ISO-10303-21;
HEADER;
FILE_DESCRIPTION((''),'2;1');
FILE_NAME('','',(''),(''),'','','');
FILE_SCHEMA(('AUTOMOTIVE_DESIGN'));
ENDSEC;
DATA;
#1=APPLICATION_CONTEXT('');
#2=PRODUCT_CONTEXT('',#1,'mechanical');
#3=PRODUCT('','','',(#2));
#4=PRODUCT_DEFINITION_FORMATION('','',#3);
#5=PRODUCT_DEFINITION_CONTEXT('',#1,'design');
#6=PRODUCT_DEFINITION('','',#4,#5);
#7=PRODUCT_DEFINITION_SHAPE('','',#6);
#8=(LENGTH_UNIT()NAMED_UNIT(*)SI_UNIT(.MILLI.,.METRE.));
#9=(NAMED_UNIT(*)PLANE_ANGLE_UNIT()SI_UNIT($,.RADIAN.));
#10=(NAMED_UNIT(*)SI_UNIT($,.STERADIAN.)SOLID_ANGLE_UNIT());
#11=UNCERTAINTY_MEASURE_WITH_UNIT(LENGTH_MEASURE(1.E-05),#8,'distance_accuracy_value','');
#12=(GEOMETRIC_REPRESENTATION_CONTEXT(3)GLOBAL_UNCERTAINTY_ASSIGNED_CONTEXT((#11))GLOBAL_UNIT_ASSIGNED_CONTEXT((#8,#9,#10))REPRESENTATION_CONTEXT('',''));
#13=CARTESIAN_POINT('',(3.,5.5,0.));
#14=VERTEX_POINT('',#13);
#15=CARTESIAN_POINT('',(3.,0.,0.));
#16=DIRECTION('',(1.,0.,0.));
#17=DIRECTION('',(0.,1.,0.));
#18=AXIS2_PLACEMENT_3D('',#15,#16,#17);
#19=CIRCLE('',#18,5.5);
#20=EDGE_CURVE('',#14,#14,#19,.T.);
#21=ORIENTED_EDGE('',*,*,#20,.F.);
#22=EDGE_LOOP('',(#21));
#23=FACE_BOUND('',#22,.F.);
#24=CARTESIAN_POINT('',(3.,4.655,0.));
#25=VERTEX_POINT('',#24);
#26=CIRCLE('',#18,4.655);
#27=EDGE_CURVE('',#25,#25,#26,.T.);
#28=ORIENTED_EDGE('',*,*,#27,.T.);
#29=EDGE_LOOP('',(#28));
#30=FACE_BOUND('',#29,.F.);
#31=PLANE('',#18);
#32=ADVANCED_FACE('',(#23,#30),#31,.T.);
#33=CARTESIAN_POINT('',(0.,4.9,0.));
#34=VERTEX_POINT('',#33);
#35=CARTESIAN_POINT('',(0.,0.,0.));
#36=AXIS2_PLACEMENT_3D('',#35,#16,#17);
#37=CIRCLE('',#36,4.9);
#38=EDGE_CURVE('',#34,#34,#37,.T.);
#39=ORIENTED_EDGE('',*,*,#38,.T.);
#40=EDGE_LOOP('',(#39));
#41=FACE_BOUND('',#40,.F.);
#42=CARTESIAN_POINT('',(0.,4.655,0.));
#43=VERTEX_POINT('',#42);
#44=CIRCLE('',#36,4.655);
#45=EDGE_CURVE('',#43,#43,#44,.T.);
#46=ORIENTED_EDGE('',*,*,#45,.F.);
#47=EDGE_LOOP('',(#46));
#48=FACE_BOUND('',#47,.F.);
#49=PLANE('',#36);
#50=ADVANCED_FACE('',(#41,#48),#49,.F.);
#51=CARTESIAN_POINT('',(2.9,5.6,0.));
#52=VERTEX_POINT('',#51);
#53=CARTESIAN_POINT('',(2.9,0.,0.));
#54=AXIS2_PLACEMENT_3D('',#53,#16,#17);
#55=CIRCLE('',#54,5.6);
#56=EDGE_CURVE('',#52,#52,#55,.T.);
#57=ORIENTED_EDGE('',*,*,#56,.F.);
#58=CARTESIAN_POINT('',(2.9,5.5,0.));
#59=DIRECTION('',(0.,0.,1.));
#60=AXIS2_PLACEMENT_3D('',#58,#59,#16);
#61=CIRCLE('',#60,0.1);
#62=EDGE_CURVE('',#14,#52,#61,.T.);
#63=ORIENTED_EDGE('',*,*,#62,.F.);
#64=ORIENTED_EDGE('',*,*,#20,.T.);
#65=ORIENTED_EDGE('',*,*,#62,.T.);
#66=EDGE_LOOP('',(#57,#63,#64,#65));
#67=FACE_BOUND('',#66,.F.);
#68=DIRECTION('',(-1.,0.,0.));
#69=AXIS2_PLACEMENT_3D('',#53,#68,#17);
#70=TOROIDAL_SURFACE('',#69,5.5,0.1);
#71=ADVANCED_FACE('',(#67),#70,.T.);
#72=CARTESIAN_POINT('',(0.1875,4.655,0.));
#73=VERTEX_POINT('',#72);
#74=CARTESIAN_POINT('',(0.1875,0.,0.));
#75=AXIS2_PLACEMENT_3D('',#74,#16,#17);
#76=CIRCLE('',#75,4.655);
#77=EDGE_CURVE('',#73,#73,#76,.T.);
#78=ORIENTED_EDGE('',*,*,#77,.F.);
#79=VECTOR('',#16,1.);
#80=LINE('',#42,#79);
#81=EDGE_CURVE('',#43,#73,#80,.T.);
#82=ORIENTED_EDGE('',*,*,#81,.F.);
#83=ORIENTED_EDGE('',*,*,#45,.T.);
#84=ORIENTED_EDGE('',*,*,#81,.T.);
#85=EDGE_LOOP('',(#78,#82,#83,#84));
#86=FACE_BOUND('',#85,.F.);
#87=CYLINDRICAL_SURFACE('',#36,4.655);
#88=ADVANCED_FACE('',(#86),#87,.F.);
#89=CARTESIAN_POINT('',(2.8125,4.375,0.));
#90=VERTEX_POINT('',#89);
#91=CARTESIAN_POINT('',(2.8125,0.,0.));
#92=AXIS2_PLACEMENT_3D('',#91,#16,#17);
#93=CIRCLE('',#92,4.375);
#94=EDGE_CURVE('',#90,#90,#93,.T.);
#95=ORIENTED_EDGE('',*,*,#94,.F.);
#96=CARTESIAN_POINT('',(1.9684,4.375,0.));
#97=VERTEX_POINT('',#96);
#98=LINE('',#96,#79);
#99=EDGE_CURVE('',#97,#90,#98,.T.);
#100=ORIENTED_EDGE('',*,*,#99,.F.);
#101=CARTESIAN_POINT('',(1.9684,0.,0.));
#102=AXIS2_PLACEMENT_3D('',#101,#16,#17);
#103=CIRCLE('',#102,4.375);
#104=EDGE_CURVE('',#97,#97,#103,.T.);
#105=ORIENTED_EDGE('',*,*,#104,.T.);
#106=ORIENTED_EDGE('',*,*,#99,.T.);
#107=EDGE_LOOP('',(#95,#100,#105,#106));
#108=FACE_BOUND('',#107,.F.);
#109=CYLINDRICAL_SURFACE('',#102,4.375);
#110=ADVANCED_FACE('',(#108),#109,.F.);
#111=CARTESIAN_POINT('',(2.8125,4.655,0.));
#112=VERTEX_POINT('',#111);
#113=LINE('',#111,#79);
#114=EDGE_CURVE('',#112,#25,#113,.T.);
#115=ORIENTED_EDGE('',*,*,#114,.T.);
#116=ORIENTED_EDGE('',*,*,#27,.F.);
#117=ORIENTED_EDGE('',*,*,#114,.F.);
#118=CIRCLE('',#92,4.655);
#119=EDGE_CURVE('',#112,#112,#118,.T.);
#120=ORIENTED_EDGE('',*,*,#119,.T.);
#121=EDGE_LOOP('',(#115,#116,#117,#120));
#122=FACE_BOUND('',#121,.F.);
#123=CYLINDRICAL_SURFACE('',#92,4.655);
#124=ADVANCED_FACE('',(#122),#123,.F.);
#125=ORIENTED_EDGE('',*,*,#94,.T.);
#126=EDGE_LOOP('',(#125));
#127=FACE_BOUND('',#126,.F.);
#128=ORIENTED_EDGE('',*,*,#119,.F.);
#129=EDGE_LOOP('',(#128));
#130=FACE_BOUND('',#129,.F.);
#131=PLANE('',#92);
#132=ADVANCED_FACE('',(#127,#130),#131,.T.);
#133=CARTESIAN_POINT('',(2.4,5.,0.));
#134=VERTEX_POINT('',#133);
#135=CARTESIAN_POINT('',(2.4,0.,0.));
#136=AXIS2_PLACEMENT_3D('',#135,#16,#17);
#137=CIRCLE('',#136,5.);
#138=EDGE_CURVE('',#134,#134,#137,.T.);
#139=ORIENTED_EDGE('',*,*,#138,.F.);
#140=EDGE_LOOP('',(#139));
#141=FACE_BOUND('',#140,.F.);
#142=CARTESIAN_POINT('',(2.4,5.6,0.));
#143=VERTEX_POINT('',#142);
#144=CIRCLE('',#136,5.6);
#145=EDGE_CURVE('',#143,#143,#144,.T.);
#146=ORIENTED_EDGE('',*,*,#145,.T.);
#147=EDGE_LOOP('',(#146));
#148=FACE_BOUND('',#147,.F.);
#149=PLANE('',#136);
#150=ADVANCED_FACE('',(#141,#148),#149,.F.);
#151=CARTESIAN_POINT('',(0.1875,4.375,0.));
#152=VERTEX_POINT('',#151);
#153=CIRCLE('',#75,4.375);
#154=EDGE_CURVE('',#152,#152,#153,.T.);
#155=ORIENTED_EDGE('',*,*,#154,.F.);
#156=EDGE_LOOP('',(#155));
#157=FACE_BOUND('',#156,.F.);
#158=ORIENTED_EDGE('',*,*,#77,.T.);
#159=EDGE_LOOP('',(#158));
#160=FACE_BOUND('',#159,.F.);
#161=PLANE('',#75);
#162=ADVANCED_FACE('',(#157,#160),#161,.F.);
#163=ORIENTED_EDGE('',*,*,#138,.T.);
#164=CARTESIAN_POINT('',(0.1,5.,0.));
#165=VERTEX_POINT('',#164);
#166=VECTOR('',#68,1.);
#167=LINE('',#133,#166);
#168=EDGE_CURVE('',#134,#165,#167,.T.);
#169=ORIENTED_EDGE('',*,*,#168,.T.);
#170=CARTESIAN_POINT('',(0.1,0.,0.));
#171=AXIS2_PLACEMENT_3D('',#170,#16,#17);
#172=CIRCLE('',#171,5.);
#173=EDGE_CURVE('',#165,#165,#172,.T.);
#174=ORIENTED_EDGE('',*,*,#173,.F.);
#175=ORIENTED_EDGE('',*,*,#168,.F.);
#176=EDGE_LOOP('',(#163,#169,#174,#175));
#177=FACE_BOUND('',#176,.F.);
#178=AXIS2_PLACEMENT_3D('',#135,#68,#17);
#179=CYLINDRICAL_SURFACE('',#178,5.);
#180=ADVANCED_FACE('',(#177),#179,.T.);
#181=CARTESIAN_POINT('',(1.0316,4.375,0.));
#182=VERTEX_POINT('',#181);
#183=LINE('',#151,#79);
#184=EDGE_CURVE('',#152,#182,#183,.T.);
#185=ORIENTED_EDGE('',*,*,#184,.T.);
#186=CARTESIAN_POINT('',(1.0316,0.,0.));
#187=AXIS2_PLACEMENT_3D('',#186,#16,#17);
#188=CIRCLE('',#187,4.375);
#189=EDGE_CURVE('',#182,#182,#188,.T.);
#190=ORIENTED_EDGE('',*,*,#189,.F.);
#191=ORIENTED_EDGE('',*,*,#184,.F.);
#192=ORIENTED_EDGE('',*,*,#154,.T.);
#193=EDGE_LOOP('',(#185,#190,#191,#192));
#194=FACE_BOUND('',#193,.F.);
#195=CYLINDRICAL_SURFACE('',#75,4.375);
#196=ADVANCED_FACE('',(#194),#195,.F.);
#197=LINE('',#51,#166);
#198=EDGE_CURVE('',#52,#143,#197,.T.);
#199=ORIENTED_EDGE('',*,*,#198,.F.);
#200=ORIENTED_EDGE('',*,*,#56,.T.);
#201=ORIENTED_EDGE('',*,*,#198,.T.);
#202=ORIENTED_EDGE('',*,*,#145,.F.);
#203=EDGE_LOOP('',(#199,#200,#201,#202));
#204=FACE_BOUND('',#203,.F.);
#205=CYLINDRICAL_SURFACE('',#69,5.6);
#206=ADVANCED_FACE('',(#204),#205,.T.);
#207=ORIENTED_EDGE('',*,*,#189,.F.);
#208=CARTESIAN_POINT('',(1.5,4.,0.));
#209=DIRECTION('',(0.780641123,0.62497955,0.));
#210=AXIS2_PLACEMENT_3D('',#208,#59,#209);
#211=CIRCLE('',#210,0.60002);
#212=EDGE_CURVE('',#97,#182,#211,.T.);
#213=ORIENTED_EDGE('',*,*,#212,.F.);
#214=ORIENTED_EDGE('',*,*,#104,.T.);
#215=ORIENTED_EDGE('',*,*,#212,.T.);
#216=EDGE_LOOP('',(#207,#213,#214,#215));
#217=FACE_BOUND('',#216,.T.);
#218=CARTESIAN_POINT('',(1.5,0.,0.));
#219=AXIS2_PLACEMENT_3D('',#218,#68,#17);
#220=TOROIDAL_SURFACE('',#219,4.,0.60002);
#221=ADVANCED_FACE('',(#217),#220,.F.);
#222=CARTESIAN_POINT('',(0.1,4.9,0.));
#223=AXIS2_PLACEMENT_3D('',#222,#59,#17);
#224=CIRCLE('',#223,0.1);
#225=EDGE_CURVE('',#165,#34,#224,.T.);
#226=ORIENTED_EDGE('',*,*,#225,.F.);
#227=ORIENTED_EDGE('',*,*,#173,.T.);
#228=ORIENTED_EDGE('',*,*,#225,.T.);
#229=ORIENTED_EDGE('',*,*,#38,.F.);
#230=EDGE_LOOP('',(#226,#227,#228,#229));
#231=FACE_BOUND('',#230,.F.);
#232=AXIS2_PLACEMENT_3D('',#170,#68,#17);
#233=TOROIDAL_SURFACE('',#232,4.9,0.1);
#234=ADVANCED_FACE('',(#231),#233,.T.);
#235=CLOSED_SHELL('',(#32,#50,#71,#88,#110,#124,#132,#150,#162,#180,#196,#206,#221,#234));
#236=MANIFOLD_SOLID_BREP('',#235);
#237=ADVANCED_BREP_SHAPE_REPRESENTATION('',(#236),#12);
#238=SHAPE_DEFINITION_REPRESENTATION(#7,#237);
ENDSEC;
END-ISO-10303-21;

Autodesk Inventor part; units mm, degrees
sketch "Sketch_1" plane through (0, 0, 0) normal (0, 0, 1) x (1, 0, 0)
  line L0 (3, 0) -> (0, 0)
  line L1 (0, 4.655) -> (0.1875, 4.655)
  line L2 (0.1875, 4.655) -> (0.1875, 4.375)
  line L3 (0.1875, 4.375) -> (1.0316, 4.375)
  arc A0 (1.9684, 4.375) -> (1.0316, 4.375) centre (1.5, 4) ccw
  line L4 (1.9684, 4.375) -> (2.8125, 4.375)
  line L5 (2.8125, 4.375) -> (2.8125, 4.655)
  line L6 (2.8125, 4.655) -> (3, 4.655)
  line L7 (3, 4.655) -> (3, 5.5)
  arc A1 (3, 5.5) -> (2.9, 5.6) centre (2.9, 5.5) ccw
  line L8 (2.9, 5.6) -> (2.4, 5.6)
  line L9 (2.4, 5.6) -> (2.4, 5)
  line L10 (2.4, 5) -> (0.1, 5)
  arc A2 (0.1, 5) -> (0, 4.9) centre (0.1, 4.9) ccw
  line L11 (0, 4.9) -> (0, 4.655)
revolve "Revolution1" add sketch "Sketch_1" angle 360 about axis through (3, 0, 0) along (1, 0, 0)
ref_plane "ip_st_1_XY" through (0, 0, 0) normal (1, 0, 0) x (0, 0, -1)
ref_plane "ip_st_1_YZ" through (0, 0, 0) normal (0, 0, -1) x (0, 1, 0)
ref_plane "ip_st_1_ZX" through (0, 0, 0) normal (0, 1, 0) x (1, 0, 0)
ref_plane "ip_st_2_XY" through (2.8125, 0, 0) normal (-1, 0, 0) x (0, 0, -1)
ref_plane "ip_st_2_YZ" through (2.8125, 0, 0) normal (0, 0, -1) x (0, -1, 0)
ref_plane "ip_st_2_ZX" through (2.8125, 0, 0) normal (0, -1, 0) x (-1, 0, 0)
properties part number "MF106ZZ1 Outer Ring"
